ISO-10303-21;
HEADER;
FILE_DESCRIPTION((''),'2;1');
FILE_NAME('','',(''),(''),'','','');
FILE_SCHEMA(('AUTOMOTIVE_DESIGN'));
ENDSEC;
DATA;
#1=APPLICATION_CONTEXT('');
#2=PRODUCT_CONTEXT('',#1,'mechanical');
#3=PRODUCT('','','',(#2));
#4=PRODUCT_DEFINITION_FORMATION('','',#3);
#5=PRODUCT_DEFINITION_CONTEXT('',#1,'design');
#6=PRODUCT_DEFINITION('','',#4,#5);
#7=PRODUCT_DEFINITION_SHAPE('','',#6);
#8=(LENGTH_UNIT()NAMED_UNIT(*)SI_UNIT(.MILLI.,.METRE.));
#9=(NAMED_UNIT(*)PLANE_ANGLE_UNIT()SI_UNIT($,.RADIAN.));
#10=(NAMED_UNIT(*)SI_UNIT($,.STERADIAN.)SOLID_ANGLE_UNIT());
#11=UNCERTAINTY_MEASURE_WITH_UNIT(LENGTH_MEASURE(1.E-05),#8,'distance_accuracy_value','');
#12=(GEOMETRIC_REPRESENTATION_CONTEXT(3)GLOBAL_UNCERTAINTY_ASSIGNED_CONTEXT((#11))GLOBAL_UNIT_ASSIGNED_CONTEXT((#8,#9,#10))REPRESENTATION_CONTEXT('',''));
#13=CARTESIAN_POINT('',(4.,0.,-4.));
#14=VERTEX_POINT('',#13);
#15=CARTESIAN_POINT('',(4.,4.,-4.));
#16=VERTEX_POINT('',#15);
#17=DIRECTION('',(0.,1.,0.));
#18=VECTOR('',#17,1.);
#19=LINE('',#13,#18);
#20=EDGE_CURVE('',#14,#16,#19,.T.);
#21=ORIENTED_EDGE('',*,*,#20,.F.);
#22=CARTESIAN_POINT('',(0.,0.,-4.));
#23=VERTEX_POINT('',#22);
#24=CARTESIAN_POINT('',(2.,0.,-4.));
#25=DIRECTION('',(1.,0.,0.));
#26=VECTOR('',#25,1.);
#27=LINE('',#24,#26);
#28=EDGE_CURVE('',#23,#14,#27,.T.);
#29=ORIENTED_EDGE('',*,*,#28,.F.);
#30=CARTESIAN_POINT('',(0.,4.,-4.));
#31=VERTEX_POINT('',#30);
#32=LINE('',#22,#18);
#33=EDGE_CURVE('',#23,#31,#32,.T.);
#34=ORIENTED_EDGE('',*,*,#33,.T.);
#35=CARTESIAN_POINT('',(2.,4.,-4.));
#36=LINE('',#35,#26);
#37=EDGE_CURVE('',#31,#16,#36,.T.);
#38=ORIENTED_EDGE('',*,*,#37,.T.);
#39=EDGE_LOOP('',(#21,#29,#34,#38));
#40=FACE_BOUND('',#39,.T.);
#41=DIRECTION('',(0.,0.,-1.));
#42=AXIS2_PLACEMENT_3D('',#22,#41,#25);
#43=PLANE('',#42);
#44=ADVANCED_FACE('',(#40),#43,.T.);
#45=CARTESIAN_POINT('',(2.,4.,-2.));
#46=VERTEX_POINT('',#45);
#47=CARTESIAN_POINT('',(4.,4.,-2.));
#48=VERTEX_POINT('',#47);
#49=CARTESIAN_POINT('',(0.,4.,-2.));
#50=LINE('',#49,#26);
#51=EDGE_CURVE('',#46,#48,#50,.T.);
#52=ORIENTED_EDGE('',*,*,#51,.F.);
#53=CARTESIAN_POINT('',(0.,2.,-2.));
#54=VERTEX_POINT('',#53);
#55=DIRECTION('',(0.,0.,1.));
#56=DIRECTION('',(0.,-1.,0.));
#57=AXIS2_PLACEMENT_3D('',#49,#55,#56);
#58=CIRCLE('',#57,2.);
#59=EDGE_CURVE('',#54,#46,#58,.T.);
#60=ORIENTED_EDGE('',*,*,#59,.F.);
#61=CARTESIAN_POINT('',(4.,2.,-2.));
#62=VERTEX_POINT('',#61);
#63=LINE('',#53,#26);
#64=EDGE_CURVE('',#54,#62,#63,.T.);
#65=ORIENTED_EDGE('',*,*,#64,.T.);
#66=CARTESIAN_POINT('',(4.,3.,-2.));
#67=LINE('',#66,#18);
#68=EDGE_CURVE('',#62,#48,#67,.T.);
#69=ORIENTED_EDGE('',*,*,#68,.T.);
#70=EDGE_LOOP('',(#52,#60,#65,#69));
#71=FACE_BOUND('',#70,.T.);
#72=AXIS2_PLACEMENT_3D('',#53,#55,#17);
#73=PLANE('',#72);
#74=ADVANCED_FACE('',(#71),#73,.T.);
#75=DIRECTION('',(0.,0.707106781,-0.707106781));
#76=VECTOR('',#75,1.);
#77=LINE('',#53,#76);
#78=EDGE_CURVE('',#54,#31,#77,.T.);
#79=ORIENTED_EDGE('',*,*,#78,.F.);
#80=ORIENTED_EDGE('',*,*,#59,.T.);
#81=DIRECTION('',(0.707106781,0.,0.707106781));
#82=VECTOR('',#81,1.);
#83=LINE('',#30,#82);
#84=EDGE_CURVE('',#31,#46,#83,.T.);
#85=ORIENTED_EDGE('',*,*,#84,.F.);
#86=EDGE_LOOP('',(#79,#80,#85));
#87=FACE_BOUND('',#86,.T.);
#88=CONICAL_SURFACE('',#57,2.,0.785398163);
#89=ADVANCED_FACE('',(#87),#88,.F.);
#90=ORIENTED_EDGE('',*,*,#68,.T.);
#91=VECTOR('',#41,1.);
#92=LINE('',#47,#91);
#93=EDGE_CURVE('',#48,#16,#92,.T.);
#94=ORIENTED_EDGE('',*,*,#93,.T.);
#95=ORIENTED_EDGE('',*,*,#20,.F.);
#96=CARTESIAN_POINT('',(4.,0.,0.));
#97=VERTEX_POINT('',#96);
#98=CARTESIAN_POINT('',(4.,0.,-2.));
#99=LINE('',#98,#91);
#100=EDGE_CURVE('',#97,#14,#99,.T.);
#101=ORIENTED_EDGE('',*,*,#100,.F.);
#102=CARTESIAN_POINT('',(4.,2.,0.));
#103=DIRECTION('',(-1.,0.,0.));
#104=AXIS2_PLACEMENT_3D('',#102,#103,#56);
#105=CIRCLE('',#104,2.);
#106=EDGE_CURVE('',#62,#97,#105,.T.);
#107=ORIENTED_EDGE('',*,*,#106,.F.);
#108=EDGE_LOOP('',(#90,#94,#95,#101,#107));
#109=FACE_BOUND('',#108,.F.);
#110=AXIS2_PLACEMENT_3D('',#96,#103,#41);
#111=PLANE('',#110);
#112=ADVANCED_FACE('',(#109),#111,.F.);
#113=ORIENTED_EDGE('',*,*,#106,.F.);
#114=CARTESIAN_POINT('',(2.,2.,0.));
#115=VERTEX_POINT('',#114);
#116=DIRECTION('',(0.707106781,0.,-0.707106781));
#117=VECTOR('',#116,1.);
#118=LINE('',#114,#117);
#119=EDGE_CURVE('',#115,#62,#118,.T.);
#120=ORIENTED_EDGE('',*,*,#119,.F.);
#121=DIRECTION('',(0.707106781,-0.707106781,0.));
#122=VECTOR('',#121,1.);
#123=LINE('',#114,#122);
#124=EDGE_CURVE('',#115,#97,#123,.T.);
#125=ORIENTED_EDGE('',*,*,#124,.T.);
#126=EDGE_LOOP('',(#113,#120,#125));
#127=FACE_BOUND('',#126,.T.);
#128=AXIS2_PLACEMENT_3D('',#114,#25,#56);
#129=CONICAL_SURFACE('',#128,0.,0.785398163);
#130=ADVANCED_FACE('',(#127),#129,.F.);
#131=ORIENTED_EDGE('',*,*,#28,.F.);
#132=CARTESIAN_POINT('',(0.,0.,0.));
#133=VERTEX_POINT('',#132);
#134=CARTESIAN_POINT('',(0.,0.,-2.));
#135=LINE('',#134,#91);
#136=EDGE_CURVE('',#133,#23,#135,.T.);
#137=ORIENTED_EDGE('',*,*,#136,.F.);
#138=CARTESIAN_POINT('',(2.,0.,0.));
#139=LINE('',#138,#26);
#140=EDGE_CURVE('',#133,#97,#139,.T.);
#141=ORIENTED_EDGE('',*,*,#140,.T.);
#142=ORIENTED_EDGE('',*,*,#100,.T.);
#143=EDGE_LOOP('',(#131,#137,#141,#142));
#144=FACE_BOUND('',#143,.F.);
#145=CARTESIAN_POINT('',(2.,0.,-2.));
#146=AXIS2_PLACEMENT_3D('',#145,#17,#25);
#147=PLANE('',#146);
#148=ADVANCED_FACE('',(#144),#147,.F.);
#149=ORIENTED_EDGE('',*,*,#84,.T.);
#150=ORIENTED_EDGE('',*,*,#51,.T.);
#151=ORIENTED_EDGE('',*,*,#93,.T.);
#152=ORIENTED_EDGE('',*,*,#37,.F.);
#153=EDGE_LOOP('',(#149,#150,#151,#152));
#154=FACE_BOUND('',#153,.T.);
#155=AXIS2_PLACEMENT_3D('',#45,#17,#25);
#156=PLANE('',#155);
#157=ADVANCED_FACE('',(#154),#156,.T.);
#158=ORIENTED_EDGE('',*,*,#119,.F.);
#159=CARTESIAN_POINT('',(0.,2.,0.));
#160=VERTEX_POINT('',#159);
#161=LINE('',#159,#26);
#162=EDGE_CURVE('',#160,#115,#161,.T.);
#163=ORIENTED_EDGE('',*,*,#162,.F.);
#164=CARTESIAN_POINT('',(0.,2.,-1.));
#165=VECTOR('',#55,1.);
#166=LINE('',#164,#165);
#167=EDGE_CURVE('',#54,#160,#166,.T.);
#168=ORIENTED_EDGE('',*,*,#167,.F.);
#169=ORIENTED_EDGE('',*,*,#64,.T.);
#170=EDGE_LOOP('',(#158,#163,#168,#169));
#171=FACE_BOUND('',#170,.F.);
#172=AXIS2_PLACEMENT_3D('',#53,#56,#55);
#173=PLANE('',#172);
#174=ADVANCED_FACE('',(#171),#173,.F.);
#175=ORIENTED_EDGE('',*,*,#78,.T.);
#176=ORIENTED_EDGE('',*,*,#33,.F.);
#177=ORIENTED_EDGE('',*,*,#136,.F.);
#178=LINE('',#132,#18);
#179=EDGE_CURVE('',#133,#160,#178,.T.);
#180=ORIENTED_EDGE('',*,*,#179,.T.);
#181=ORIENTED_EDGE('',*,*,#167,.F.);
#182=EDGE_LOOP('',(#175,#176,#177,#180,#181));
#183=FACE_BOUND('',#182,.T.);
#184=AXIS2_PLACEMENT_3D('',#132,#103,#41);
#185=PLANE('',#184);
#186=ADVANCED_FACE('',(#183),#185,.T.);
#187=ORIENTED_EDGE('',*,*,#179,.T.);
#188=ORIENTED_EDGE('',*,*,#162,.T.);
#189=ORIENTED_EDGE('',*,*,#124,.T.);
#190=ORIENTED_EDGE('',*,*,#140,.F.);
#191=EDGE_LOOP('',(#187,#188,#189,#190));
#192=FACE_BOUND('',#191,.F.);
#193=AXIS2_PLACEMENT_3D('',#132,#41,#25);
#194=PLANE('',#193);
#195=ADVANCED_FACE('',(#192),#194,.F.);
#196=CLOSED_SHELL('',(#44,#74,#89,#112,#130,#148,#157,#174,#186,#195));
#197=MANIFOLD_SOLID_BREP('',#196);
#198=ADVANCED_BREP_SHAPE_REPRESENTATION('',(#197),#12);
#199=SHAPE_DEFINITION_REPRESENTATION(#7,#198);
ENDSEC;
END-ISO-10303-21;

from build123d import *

# Parameters (mm, degrees)
SKETCH1_W           = 4
SKETCH1_H           = 4
BOSS_EXTRUDE1_DEPTH = 4
SKETCH2_W           = 2
SKETCH2_H           = 2
CUT_EXTRUDE1_DEPTH  = 4


with BuildPart() as part:
    # Sketch1 → Boss-Extrude1 (new body)
    with BuildSketch(Plane(origin=(0, 0, 0), x_dir=(1, 0, 0), z_dir=(0, 1, 0))):
        with Locations((2, 2)):
            Rectangle(SKETCH1_W, SKETCH1_H)
    extrude(amount=BOSS_EXTRUDE1_DEPTH)

    # Sketch2 → Cut-Extrude1 (cut)
    with BuildSketch(Plane.ZY):
        with Locations((-1, 3)):
            Rectangle(SKETCH2_W, SKETCH2_H)
    extrude(amount=-CUT_EXTRUDE1_DEPTH, mode=Mode.SUBTRACT)

    # Sketch3 → Cut-Revolve1 (revolve, cut)
    with BuildSketch(Plane.ZY):
        Polygon((-2, 2), (-4, 4), (-2, 4), align=None)
    revolve(axis=Axis((0, 4, -4), (0, 0, 1)), mode=Mode.SUBTRACT)

    # Sketch4 → Cut-Revolve2 (revolve, cut)
    with BuildSketch(Plane.XY):
        Polygon((2, 2), (4, 0), (4, 2), align=None)
    revolve(axis=Axis((4, 2, 0), (-1, 0, 0)), mode=Mode.SUBTRACT)


solid = part.part
